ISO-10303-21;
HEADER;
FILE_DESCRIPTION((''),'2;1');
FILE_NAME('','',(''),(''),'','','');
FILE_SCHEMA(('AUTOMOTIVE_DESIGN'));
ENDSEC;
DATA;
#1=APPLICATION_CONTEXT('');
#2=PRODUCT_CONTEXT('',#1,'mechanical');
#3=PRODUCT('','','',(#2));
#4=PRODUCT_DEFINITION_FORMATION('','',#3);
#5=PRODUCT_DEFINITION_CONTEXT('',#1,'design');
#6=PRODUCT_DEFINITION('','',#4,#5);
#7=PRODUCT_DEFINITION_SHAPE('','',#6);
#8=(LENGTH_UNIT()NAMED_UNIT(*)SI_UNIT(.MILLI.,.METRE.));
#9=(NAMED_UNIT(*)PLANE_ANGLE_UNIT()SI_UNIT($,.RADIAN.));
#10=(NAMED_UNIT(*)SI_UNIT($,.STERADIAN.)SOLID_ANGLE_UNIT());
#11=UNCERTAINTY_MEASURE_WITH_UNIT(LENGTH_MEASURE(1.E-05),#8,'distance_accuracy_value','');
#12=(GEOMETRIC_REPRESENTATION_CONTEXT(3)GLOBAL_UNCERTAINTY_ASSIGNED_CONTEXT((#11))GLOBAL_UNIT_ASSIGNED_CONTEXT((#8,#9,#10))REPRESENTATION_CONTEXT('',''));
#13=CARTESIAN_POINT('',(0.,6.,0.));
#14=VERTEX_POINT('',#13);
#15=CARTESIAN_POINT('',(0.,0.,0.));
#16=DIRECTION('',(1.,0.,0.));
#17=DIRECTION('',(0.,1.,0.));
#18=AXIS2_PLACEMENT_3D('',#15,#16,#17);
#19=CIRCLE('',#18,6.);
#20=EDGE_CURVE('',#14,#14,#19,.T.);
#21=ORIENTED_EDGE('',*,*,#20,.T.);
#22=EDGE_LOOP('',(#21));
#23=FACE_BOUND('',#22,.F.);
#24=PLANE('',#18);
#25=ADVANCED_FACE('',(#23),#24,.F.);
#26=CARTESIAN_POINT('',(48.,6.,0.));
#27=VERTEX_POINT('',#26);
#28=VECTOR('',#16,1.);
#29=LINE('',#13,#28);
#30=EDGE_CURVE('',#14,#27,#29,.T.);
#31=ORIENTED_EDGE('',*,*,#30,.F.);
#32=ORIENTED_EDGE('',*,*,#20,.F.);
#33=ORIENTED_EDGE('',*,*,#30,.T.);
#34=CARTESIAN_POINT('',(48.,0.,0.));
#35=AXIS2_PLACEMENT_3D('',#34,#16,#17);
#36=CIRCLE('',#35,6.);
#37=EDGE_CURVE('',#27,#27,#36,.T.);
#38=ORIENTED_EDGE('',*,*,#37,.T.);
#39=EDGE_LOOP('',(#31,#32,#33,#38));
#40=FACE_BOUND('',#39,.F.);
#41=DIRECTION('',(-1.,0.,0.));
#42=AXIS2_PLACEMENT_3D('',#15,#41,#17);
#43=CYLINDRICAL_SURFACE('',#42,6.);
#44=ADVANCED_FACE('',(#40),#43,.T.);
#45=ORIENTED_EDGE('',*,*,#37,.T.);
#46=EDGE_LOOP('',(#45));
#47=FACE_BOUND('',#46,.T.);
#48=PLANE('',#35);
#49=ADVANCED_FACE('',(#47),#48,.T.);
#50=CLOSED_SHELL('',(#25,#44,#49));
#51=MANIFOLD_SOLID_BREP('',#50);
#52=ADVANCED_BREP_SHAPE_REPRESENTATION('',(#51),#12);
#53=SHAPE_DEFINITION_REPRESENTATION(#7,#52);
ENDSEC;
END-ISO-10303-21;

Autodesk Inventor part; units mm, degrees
ref_plane "YZ Plane" through (0, 0, 0) normal (1, 0, 0) x (0, 1, 0)
ref_plane "XZ Plane" through (0, 0, 0) normal (0, 1, 0) x (-1, 0, 0)
ref_plane "XY Plane" through (0, 0, 0) normal (0, 0, 1) x (1, 0, 0)
sketch "スケッチ1" plane through (0, 0, 0) normal (1, 0, 0) x (0, 1, 0)
  circle A0 centre (0, 0) radius 6
  dimension "d0" = 12
extrude "押し出し1" add sketch "スケッチ1" along normal blind 48
properties part number "RZvector-v1-Shaft-P-Shaft-3"
